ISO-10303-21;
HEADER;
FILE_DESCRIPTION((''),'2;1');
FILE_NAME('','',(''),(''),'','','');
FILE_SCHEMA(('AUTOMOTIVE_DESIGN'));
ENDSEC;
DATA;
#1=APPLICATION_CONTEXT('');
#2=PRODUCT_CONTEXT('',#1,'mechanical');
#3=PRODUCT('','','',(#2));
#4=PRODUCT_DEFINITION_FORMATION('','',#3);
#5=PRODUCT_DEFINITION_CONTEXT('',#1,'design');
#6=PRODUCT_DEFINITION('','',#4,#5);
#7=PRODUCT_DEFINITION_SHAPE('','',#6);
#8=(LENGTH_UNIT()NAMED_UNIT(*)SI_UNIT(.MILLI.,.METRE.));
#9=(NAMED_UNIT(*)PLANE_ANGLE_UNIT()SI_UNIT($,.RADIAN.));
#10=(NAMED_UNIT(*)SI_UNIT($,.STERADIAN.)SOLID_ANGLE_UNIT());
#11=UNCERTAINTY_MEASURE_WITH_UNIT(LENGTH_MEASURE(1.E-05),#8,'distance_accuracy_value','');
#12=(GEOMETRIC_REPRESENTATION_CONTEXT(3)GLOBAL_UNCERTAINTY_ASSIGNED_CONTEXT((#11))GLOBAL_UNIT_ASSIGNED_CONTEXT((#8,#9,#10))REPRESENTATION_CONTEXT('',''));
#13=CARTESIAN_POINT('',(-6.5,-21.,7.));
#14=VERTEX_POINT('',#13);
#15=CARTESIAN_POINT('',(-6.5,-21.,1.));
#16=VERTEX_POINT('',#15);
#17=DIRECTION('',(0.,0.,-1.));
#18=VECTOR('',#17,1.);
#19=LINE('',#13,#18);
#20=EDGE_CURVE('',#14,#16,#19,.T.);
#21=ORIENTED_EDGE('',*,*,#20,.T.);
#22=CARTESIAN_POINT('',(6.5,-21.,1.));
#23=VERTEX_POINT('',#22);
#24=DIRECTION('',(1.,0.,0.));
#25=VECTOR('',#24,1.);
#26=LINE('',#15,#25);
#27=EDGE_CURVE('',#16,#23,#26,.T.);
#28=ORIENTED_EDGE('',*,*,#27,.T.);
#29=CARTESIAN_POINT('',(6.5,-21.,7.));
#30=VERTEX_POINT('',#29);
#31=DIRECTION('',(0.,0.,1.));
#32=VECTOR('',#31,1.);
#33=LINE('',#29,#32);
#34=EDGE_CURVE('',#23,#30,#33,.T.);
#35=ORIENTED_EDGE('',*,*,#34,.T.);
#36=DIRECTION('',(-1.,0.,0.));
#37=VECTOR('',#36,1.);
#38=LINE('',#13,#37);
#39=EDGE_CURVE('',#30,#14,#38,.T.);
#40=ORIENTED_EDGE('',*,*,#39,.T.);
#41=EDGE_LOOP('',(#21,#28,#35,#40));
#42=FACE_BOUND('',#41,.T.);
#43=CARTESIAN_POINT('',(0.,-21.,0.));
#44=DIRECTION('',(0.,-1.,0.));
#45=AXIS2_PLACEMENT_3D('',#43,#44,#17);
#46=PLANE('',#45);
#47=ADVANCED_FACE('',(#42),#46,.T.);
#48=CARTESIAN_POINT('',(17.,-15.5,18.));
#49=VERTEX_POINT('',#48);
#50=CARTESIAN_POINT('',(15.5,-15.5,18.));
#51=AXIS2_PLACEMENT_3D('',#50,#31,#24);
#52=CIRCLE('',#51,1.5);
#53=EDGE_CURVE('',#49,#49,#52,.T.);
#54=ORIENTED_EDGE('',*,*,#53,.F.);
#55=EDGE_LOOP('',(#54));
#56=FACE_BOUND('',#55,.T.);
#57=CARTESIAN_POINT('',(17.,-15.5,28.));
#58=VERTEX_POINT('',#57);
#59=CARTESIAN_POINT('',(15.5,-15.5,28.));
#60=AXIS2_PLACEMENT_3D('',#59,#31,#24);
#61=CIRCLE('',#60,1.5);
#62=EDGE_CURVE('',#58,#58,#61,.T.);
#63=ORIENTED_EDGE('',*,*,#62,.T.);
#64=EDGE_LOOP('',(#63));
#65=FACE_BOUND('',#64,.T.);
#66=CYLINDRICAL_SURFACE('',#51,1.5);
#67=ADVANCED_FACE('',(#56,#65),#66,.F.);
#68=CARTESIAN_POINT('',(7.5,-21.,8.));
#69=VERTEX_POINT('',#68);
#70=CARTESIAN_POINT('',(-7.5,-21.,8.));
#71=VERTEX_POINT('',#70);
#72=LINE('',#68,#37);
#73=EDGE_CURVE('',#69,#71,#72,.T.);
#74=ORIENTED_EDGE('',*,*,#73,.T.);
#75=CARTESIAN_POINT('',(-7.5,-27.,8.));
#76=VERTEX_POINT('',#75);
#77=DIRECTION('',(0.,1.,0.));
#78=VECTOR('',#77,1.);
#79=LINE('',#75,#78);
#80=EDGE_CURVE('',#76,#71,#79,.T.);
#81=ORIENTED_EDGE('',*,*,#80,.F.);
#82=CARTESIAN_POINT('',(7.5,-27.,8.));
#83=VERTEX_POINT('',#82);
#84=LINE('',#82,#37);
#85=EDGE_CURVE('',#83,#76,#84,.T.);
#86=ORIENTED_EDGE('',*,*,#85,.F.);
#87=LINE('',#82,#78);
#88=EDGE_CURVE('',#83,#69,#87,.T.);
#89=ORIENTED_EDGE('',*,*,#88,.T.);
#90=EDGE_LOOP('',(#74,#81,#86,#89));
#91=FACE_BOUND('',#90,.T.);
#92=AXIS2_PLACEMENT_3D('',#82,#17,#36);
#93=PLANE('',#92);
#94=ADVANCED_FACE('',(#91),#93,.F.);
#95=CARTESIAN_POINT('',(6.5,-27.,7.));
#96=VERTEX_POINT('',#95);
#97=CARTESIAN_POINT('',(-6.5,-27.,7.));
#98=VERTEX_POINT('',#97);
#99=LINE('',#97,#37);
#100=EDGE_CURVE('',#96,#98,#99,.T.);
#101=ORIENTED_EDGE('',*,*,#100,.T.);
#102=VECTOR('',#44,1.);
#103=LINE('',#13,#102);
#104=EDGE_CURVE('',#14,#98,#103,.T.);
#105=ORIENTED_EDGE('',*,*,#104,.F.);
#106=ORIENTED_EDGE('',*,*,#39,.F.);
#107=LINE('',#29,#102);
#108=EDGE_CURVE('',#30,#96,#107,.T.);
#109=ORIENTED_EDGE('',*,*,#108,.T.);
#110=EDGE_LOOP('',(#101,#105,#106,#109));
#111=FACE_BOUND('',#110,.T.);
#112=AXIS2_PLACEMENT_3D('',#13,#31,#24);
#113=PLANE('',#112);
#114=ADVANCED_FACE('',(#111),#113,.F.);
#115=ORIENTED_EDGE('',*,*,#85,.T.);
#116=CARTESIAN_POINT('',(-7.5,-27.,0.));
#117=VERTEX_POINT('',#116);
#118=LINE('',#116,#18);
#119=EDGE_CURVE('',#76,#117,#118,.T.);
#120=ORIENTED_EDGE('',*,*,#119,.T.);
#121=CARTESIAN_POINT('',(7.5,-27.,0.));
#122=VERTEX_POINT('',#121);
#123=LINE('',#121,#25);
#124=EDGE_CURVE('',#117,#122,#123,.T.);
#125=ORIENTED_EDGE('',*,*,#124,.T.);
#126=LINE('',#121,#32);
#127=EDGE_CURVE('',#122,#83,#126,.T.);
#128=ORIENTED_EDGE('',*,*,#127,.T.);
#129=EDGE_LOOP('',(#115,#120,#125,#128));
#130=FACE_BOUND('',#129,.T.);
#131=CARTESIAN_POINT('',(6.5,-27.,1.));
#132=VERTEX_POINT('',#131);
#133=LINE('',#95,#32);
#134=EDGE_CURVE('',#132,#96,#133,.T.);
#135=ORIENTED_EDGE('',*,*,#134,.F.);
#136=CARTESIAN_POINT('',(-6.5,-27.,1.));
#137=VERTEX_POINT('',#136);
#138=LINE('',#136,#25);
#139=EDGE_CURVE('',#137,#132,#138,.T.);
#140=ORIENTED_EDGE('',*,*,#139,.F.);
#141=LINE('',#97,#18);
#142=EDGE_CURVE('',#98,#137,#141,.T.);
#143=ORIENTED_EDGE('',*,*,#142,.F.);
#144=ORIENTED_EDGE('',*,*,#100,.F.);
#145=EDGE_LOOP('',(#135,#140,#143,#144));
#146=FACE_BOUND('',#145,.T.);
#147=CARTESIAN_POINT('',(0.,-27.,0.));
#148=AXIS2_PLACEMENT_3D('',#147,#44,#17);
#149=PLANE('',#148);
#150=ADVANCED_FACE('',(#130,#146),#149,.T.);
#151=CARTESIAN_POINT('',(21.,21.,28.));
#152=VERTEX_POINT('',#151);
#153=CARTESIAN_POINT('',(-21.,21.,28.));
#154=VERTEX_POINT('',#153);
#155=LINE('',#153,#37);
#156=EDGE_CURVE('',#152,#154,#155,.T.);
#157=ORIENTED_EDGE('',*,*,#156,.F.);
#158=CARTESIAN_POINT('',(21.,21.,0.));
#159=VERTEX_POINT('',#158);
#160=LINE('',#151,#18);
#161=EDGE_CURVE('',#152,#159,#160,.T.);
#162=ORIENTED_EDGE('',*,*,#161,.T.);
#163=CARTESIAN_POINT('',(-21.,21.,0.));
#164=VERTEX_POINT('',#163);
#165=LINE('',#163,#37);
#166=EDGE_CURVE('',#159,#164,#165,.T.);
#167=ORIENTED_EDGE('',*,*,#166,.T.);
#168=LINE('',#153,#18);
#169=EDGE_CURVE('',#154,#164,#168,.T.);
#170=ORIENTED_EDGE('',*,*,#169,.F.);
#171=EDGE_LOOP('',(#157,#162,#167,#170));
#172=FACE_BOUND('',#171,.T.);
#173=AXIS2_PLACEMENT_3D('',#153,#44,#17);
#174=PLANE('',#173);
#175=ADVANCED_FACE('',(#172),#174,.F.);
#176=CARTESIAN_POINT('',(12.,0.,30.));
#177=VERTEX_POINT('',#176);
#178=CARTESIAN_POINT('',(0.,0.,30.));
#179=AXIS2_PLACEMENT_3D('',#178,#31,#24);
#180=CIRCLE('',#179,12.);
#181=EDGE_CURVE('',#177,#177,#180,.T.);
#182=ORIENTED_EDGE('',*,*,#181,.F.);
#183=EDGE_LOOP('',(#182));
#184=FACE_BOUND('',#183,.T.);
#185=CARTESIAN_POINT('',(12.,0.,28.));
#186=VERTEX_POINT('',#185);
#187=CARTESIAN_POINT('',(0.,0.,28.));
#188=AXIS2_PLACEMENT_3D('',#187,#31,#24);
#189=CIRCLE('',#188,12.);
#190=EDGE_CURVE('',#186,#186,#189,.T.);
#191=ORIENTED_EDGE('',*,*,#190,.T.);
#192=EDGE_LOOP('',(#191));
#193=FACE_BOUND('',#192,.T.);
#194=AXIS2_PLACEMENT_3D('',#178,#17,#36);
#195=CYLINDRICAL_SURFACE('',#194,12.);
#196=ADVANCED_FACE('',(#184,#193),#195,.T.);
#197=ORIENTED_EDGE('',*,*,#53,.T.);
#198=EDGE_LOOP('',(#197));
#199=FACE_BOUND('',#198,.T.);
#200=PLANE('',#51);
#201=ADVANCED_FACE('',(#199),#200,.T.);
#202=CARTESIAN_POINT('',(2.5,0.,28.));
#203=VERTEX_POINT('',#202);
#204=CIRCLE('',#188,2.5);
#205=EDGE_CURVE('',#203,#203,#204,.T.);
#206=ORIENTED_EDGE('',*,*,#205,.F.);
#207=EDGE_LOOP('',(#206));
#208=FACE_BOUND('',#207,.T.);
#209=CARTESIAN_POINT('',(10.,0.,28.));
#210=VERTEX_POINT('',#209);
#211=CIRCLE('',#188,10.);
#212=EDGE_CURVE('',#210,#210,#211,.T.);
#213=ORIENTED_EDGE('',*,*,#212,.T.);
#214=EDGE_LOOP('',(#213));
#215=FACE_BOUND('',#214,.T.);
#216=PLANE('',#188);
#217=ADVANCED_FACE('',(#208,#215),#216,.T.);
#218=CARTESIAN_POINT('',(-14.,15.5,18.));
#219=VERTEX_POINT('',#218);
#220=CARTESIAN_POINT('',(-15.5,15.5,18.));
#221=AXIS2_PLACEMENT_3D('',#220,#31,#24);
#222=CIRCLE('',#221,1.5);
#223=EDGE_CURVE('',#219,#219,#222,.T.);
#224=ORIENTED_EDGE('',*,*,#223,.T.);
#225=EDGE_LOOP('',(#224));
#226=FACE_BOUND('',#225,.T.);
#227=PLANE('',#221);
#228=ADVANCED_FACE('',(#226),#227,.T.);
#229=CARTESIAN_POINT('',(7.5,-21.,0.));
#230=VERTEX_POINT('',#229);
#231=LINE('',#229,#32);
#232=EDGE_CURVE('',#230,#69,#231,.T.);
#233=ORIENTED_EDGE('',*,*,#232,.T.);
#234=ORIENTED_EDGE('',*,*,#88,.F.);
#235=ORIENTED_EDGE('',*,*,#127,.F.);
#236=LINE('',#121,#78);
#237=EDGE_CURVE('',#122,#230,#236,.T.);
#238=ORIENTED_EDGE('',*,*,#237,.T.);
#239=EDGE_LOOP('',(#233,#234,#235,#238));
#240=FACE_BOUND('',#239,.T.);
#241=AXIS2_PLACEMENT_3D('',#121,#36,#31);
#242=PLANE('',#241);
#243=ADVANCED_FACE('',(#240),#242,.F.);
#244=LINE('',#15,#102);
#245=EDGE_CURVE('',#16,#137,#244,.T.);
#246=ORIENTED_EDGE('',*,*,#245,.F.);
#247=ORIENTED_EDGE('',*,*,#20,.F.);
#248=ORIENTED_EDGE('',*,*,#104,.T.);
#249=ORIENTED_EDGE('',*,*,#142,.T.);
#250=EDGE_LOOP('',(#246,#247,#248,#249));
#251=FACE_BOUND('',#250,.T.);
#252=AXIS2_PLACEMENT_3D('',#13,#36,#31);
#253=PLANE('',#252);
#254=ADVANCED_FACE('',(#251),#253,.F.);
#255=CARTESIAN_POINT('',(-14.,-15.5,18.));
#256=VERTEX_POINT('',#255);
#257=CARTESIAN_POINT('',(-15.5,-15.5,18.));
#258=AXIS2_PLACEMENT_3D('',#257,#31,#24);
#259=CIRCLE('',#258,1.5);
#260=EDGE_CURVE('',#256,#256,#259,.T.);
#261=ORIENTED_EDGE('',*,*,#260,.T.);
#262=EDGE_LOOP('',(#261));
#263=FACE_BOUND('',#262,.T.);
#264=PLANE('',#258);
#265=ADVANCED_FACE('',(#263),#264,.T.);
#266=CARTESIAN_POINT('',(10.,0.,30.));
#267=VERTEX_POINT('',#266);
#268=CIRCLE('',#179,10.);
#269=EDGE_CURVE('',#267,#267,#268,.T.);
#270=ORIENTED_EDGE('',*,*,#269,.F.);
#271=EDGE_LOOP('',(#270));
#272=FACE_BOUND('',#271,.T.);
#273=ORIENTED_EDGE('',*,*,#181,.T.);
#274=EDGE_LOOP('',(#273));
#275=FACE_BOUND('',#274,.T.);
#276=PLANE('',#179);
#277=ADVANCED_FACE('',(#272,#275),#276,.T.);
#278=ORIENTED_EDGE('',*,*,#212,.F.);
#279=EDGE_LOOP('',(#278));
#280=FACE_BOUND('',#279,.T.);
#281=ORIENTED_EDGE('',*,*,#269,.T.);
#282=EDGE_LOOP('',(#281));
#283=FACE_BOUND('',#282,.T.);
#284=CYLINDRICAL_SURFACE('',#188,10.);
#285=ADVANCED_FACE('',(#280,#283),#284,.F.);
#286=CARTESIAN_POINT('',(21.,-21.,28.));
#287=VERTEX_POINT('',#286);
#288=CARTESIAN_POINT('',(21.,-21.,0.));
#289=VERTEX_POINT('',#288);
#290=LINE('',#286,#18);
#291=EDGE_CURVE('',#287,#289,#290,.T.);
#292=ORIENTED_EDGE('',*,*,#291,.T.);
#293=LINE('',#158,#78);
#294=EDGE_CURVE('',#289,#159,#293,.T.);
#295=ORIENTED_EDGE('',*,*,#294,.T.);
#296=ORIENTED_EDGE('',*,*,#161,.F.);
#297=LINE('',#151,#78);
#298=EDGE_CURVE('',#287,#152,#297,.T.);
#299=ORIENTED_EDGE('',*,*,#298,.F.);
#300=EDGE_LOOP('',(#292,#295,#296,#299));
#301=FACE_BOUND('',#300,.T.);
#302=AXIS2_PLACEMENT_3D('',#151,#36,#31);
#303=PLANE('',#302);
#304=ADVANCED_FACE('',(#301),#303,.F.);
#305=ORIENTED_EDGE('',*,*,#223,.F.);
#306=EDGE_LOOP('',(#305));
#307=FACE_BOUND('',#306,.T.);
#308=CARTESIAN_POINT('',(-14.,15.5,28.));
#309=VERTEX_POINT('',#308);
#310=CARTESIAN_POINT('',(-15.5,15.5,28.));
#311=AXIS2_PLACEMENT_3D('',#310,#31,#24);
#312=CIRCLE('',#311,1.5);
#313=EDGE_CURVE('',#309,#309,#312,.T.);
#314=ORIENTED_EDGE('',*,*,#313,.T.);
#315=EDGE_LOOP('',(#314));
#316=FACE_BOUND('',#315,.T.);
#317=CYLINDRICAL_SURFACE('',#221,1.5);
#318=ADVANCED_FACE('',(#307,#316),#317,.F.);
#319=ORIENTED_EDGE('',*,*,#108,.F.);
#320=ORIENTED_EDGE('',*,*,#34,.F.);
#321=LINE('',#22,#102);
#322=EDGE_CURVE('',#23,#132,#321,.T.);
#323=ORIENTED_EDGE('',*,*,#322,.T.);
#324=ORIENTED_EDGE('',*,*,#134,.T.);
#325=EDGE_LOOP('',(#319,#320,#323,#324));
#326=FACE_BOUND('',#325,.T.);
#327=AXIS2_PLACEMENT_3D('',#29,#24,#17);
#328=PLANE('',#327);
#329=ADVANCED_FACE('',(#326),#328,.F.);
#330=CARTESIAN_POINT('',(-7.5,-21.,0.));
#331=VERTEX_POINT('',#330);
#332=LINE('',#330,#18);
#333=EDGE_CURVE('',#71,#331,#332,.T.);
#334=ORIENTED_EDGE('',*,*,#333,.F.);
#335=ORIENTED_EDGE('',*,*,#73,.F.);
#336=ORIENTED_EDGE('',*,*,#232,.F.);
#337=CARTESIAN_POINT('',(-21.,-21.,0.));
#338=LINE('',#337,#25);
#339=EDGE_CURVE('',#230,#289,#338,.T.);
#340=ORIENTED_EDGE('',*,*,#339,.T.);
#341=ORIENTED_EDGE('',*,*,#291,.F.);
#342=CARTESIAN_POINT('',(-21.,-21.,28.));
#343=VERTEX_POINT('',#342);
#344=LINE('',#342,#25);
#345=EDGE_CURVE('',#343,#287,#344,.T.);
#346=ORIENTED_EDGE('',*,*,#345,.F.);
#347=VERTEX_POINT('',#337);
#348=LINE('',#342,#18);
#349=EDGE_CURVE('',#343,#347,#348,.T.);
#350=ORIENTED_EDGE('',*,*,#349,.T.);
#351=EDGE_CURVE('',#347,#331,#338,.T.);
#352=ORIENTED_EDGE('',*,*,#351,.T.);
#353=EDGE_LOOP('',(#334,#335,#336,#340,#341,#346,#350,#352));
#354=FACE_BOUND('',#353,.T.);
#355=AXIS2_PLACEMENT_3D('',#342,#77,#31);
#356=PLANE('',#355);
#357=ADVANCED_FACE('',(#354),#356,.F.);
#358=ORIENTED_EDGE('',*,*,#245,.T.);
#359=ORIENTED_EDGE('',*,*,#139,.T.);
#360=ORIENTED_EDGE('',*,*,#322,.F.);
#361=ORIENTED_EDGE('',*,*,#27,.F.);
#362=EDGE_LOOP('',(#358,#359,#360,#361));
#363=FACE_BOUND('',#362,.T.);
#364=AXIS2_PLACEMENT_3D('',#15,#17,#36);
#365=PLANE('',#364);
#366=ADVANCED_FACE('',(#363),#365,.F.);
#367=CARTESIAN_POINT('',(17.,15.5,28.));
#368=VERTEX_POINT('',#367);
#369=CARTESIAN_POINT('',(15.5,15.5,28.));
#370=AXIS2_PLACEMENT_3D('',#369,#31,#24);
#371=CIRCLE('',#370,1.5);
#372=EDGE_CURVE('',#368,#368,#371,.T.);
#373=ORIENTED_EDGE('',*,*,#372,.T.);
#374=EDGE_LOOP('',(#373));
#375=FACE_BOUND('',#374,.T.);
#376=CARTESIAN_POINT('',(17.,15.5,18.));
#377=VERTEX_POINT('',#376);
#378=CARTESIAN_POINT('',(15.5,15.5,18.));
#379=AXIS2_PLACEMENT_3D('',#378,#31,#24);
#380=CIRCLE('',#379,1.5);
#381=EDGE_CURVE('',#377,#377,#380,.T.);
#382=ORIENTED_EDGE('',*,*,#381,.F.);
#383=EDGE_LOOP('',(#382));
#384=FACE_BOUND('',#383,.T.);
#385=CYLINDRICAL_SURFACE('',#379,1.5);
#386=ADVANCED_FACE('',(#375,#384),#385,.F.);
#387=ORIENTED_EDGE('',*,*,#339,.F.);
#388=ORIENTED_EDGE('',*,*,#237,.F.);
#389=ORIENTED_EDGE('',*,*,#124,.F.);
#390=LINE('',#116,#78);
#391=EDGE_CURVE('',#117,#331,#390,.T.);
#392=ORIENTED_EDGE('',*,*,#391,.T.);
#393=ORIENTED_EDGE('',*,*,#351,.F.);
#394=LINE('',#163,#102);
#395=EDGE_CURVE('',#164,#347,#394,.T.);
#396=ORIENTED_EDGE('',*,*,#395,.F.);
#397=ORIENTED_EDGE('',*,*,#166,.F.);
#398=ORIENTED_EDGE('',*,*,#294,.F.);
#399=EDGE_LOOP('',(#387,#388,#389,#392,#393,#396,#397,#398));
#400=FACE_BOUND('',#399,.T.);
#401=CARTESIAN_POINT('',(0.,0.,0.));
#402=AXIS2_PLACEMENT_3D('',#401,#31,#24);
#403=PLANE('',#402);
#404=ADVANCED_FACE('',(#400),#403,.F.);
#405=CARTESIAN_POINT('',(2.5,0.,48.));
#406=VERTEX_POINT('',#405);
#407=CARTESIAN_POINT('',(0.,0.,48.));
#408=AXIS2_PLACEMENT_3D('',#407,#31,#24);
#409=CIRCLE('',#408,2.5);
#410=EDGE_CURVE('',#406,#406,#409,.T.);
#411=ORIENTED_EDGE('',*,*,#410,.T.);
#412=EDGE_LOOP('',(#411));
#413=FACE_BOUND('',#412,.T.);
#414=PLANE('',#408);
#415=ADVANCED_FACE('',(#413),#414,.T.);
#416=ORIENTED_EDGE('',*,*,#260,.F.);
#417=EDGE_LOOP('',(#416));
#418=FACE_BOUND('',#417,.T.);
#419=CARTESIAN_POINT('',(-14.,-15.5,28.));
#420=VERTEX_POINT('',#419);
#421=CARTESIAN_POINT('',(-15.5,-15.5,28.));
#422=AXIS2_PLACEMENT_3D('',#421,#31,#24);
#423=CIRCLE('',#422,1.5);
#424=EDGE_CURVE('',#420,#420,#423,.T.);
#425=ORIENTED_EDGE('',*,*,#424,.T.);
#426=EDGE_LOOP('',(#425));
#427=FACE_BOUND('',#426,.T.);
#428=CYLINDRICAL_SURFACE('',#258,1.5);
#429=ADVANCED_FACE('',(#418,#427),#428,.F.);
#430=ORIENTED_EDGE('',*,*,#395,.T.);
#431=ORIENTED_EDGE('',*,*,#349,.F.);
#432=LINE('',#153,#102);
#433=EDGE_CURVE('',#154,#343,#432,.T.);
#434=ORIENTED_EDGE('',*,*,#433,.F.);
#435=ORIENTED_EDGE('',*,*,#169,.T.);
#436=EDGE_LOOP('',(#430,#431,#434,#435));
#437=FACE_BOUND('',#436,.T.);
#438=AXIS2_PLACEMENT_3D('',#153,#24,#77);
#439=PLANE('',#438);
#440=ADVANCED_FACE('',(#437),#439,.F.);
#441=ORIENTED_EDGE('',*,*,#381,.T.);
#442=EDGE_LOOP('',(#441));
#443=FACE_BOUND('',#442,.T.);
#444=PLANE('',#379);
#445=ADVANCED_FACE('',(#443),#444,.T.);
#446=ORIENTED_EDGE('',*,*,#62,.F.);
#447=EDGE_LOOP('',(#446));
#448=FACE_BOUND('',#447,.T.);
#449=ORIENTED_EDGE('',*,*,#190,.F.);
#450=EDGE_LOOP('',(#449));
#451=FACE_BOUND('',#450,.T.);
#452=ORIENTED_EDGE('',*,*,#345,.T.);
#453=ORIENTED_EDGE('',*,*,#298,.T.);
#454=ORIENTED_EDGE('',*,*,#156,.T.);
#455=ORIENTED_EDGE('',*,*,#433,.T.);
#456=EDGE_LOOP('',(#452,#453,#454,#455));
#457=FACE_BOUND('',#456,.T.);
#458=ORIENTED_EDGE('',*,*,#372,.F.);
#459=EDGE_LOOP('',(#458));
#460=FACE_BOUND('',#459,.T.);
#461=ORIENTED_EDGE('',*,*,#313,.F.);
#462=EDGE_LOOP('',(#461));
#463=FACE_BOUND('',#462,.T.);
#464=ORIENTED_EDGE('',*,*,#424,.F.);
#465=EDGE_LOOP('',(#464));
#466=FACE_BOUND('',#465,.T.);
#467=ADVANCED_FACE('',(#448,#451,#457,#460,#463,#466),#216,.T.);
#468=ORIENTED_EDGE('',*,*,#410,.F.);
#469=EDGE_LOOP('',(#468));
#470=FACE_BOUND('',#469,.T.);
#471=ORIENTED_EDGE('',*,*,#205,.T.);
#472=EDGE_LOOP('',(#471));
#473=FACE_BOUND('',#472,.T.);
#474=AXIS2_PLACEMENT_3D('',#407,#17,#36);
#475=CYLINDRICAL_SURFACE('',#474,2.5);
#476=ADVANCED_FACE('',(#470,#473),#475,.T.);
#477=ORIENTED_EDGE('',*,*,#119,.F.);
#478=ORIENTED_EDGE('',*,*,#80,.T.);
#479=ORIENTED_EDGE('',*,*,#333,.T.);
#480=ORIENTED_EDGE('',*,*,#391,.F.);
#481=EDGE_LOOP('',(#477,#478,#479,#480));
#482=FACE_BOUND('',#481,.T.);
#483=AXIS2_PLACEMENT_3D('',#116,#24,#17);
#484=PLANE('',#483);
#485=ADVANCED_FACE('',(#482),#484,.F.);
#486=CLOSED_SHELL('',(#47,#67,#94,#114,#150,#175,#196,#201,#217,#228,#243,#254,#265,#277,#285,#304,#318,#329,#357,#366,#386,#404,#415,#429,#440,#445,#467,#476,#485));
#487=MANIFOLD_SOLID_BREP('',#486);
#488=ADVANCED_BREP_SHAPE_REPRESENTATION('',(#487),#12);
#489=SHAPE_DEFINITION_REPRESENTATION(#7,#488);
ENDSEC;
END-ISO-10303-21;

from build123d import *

# Parameters (mm, degrees)
SKETCH2_W           = 42
SKETCH2_H           = 42
BOSS_EXTRUDE1_DEPTH = 28
SKETCH3_R           = 1.5
CUT_EXTRUDE1_DEPTH  = 10
SKETCH4_R           = 12
BOSS_EXTRUDE2_DEPTH = 2
SKETCH5_R           = 10
CUT_EXTRUDE2_DEPTH  = 2
SKETCH6_R           = 2.5
BOSS_EXTRUDE3_DEPTH = 20
SKETCH7_W           = 15
SKETCH7_H           = 8
BOSS_EXTRUDE4_DEPTH = 6
SKETCH8_W           = 13
SKETCH8_H           = 6
CUT_EXTRUDE4_DEPTH  = 6


with BuildPart() as part:
    # Sketch2 → Boss-Extrude1 (new body)
    with BuildSketch(Plane.XY):
        Rectangle(SKETCH2_W, SKETCH2_H)
    extrude(amount=BOSS_EXTRUDE1_DEPTH)

    # Sketch3 → Cut-Extrude1 (cut)
    with BuildSketch(Plane.XY.offset(28)):
        with Locations((15.5, 15.5)):
            Circle(SKETCH3_R)
        with Locations((-15.5, 15.5)):
            Circle(SKETCH3_R)
        with Locations((-15.5, -15.5)):
            Circle(SKETCH3_R)
        with Locations((15.5, -15.5)):
            Circle(SKETCH3_R)
    extrude(amount=-CUT_EXTRUDE1_DEPTH, mode=Mode.SUBTRACT)

    # Sketch4 → Boss-Extrude2 (add)
    with BuildSketch(Plane.XY.offset(28)):
        Circle(SKETCH4_R)
    extrude(amount=BOSS_EXTRUDE2_DEPTH)

    # Sketch5 → Cut-Extrude2 (cut)
    with BuildSketch(Plane.XY.offset(30)):
        Circle(SKETCH5_R)
    extrude(amount=-CUT_EXTRUDE2_DEPTH, mode=Mode.SUBTRACT)

    # Sketch6 → Boss-Extrude3 (add)
    with BuildSketch(Plane.XY.offset(28)):
        Circle(SKETCH6_R)
    extrude(amount=BOSS_EXTRUDE3_DEPTH)

    # Sketch7 → Boss-Extrude4 (add)
    with BuildSketch(Plane.XZ.offset(21)):
        with Locations((0, 4)):
            Rectangle(SKETCH7_W, SKETCH7_H)
    extrude(amount=BOSS_EXTRUDE4_DEPTH)

    # Sketch8 → Cut-Extrude4 (cut)
    with BuildSketch(Plane(origin=(0, -27, 0), x_dir=(-1, 0, 0), z_dir=(0, -1, 0))):
        with Locations((0, -4)):
            Rectangle(SKETCH8_W, SKETCH8_H)
    extrude(amount=-CUT_EXTRUDE4_DEPTH, mode=Mode.SUBTRACT)


solid = part.part
